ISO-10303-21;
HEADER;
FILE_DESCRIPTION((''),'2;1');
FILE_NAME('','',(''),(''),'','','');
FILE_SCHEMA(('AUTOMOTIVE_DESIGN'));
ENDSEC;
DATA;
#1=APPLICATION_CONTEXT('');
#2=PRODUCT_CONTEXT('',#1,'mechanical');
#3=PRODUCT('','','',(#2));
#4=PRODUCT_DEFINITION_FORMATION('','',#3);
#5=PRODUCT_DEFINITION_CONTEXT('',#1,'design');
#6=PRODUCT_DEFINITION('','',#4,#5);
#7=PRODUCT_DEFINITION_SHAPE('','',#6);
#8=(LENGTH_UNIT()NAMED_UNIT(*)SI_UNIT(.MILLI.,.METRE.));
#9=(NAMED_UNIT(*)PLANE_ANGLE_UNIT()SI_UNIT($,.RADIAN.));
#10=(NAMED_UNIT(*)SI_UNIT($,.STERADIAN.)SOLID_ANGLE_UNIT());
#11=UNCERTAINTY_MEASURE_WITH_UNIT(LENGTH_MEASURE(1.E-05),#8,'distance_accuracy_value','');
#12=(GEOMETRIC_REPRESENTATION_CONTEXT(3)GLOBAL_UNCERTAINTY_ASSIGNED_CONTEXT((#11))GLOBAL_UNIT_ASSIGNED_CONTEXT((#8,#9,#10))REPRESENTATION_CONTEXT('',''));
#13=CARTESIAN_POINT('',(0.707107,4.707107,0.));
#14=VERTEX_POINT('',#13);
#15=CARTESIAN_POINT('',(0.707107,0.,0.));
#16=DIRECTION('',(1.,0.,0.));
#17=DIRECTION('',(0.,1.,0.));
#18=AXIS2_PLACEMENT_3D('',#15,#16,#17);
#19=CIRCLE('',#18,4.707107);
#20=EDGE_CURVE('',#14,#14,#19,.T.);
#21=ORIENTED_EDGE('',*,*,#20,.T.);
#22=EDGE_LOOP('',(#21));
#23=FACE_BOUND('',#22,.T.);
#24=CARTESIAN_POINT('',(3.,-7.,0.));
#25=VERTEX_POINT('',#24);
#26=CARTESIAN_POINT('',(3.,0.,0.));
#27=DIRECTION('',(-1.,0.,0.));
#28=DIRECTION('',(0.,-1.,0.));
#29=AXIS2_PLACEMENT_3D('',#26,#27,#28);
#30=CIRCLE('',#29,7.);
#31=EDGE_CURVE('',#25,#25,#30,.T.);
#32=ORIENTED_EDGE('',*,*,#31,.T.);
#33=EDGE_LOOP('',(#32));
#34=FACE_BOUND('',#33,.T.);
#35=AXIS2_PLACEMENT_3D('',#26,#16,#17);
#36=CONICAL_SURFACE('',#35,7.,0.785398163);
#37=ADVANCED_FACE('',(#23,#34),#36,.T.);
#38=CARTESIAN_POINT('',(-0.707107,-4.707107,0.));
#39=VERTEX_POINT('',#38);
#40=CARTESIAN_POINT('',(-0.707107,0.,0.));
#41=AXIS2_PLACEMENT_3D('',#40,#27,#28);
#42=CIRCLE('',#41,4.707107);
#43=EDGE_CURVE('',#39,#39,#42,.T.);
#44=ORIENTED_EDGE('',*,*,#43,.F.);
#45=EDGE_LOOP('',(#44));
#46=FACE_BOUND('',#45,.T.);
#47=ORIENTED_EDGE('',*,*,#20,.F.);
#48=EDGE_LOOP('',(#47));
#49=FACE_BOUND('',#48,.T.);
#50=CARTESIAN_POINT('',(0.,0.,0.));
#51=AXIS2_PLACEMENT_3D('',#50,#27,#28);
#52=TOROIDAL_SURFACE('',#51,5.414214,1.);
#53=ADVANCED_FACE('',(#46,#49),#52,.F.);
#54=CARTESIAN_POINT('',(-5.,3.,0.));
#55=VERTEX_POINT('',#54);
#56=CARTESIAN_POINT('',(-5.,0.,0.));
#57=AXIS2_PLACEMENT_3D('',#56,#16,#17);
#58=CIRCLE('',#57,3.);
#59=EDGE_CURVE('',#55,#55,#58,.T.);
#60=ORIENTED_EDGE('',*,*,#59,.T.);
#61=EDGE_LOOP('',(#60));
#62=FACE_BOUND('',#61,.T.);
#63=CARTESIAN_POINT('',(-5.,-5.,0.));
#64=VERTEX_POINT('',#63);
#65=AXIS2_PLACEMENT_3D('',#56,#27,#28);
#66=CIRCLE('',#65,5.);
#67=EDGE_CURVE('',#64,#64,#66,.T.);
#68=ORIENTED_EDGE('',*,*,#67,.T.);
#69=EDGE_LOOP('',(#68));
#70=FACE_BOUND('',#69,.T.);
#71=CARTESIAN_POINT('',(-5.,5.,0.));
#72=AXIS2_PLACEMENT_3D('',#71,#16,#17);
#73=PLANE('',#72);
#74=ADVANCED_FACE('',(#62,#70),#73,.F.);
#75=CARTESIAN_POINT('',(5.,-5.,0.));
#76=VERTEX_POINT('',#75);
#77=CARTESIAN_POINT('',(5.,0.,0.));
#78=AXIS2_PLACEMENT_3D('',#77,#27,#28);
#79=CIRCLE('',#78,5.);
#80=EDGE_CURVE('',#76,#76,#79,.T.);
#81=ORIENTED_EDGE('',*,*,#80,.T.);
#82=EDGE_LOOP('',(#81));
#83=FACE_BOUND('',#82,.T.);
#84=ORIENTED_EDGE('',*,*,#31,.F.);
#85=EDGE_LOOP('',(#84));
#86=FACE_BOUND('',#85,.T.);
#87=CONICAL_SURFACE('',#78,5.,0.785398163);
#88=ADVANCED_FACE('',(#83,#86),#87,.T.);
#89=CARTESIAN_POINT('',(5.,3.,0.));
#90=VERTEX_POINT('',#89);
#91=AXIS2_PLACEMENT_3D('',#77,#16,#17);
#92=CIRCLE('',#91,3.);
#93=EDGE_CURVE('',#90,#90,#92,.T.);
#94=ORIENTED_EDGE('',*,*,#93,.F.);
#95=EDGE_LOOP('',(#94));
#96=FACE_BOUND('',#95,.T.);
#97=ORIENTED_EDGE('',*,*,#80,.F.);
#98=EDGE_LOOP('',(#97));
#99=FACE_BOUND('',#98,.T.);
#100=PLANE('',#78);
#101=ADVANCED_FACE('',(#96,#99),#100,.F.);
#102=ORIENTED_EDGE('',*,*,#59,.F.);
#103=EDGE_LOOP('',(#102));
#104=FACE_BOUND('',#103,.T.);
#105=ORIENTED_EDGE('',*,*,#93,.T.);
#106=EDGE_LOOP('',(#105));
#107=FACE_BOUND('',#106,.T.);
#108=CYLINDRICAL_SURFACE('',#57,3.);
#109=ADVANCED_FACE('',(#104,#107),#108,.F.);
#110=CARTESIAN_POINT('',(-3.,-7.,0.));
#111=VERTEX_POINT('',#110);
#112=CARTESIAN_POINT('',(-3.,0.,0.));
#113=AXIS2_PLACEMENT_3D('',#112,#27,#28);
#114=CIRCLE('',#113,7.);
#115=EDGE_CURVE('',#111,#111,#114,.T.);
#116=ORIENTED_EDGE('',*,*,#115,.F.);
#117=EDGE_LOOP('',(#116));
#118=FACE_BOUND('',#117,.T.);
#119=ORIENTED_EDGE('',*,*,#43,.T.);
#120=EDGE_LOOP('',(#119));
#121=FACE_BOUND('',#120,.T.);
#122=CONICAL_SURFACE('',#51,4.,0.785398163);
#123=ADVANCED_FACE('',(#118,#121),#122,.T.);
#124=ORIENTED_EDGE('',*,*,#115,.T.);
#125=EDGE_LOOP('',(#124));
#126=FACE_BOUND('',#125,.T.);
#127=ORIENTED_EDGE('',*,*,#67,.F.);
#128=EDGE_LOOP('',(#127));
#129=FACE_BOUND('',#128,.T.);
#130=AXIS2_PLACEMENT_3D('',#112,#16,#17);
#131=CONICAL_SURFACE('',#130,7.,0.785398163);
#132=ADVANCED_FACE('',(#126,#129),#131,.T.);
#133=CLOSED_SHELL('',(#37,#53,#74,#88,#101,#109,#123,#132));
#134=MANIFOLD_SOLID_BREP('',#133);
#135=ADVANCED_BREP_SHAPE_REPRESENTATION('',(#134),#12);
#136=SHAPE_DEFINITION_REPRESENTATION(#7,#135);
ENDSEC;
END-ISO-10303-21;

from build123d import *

# Parameters (mm, degrees)
FILLET1_R          = 1
SKETCH2_R          = 3
CUT_EXTRUDE1_DEPTH = 15.071247379


with BuildPart() as part:
    # Sketch1 → Revolve1 (revolve)
    with BuildSketch(Plane.XY, mode=Mode.PRIVATE) as revolve1_sk:
        Polygon((5, 0), (5, 5), (3, 7), (0, 4), (-3, 7), (-5, 5), (-5, 0), align=None)
    revolve(revolve1_sk.sketch.rotate(Axis((-5, 0, 0), (1, 0, 0)), 180), axis=Axis((-5, 0, 0), (1, 0, 0)))

    # Fillet1
    fillet1_edges = [part.edges().sort_by_distance(p)[0] for p in [
        (0, 4, 0),
    ]]
    fillet(fillet1_edges, radius=FILLET1_R)

    # Sketch2 → Cut-Extrude1 (cut, through all)
    with BuildSketch(Plane(origin=(5, 0, 0), x_dir=(0, 0, -1), z_dir=(1, 0, 0))):
        with Locations(Location((0, 0, 0), (0, 0, 90))):
            Circle(SKETCH2_R)
    extrude(amount=-CUT_EXTRUDE1_DEPTH, mode=Mode.SUBTRACT)


solid = part.part
